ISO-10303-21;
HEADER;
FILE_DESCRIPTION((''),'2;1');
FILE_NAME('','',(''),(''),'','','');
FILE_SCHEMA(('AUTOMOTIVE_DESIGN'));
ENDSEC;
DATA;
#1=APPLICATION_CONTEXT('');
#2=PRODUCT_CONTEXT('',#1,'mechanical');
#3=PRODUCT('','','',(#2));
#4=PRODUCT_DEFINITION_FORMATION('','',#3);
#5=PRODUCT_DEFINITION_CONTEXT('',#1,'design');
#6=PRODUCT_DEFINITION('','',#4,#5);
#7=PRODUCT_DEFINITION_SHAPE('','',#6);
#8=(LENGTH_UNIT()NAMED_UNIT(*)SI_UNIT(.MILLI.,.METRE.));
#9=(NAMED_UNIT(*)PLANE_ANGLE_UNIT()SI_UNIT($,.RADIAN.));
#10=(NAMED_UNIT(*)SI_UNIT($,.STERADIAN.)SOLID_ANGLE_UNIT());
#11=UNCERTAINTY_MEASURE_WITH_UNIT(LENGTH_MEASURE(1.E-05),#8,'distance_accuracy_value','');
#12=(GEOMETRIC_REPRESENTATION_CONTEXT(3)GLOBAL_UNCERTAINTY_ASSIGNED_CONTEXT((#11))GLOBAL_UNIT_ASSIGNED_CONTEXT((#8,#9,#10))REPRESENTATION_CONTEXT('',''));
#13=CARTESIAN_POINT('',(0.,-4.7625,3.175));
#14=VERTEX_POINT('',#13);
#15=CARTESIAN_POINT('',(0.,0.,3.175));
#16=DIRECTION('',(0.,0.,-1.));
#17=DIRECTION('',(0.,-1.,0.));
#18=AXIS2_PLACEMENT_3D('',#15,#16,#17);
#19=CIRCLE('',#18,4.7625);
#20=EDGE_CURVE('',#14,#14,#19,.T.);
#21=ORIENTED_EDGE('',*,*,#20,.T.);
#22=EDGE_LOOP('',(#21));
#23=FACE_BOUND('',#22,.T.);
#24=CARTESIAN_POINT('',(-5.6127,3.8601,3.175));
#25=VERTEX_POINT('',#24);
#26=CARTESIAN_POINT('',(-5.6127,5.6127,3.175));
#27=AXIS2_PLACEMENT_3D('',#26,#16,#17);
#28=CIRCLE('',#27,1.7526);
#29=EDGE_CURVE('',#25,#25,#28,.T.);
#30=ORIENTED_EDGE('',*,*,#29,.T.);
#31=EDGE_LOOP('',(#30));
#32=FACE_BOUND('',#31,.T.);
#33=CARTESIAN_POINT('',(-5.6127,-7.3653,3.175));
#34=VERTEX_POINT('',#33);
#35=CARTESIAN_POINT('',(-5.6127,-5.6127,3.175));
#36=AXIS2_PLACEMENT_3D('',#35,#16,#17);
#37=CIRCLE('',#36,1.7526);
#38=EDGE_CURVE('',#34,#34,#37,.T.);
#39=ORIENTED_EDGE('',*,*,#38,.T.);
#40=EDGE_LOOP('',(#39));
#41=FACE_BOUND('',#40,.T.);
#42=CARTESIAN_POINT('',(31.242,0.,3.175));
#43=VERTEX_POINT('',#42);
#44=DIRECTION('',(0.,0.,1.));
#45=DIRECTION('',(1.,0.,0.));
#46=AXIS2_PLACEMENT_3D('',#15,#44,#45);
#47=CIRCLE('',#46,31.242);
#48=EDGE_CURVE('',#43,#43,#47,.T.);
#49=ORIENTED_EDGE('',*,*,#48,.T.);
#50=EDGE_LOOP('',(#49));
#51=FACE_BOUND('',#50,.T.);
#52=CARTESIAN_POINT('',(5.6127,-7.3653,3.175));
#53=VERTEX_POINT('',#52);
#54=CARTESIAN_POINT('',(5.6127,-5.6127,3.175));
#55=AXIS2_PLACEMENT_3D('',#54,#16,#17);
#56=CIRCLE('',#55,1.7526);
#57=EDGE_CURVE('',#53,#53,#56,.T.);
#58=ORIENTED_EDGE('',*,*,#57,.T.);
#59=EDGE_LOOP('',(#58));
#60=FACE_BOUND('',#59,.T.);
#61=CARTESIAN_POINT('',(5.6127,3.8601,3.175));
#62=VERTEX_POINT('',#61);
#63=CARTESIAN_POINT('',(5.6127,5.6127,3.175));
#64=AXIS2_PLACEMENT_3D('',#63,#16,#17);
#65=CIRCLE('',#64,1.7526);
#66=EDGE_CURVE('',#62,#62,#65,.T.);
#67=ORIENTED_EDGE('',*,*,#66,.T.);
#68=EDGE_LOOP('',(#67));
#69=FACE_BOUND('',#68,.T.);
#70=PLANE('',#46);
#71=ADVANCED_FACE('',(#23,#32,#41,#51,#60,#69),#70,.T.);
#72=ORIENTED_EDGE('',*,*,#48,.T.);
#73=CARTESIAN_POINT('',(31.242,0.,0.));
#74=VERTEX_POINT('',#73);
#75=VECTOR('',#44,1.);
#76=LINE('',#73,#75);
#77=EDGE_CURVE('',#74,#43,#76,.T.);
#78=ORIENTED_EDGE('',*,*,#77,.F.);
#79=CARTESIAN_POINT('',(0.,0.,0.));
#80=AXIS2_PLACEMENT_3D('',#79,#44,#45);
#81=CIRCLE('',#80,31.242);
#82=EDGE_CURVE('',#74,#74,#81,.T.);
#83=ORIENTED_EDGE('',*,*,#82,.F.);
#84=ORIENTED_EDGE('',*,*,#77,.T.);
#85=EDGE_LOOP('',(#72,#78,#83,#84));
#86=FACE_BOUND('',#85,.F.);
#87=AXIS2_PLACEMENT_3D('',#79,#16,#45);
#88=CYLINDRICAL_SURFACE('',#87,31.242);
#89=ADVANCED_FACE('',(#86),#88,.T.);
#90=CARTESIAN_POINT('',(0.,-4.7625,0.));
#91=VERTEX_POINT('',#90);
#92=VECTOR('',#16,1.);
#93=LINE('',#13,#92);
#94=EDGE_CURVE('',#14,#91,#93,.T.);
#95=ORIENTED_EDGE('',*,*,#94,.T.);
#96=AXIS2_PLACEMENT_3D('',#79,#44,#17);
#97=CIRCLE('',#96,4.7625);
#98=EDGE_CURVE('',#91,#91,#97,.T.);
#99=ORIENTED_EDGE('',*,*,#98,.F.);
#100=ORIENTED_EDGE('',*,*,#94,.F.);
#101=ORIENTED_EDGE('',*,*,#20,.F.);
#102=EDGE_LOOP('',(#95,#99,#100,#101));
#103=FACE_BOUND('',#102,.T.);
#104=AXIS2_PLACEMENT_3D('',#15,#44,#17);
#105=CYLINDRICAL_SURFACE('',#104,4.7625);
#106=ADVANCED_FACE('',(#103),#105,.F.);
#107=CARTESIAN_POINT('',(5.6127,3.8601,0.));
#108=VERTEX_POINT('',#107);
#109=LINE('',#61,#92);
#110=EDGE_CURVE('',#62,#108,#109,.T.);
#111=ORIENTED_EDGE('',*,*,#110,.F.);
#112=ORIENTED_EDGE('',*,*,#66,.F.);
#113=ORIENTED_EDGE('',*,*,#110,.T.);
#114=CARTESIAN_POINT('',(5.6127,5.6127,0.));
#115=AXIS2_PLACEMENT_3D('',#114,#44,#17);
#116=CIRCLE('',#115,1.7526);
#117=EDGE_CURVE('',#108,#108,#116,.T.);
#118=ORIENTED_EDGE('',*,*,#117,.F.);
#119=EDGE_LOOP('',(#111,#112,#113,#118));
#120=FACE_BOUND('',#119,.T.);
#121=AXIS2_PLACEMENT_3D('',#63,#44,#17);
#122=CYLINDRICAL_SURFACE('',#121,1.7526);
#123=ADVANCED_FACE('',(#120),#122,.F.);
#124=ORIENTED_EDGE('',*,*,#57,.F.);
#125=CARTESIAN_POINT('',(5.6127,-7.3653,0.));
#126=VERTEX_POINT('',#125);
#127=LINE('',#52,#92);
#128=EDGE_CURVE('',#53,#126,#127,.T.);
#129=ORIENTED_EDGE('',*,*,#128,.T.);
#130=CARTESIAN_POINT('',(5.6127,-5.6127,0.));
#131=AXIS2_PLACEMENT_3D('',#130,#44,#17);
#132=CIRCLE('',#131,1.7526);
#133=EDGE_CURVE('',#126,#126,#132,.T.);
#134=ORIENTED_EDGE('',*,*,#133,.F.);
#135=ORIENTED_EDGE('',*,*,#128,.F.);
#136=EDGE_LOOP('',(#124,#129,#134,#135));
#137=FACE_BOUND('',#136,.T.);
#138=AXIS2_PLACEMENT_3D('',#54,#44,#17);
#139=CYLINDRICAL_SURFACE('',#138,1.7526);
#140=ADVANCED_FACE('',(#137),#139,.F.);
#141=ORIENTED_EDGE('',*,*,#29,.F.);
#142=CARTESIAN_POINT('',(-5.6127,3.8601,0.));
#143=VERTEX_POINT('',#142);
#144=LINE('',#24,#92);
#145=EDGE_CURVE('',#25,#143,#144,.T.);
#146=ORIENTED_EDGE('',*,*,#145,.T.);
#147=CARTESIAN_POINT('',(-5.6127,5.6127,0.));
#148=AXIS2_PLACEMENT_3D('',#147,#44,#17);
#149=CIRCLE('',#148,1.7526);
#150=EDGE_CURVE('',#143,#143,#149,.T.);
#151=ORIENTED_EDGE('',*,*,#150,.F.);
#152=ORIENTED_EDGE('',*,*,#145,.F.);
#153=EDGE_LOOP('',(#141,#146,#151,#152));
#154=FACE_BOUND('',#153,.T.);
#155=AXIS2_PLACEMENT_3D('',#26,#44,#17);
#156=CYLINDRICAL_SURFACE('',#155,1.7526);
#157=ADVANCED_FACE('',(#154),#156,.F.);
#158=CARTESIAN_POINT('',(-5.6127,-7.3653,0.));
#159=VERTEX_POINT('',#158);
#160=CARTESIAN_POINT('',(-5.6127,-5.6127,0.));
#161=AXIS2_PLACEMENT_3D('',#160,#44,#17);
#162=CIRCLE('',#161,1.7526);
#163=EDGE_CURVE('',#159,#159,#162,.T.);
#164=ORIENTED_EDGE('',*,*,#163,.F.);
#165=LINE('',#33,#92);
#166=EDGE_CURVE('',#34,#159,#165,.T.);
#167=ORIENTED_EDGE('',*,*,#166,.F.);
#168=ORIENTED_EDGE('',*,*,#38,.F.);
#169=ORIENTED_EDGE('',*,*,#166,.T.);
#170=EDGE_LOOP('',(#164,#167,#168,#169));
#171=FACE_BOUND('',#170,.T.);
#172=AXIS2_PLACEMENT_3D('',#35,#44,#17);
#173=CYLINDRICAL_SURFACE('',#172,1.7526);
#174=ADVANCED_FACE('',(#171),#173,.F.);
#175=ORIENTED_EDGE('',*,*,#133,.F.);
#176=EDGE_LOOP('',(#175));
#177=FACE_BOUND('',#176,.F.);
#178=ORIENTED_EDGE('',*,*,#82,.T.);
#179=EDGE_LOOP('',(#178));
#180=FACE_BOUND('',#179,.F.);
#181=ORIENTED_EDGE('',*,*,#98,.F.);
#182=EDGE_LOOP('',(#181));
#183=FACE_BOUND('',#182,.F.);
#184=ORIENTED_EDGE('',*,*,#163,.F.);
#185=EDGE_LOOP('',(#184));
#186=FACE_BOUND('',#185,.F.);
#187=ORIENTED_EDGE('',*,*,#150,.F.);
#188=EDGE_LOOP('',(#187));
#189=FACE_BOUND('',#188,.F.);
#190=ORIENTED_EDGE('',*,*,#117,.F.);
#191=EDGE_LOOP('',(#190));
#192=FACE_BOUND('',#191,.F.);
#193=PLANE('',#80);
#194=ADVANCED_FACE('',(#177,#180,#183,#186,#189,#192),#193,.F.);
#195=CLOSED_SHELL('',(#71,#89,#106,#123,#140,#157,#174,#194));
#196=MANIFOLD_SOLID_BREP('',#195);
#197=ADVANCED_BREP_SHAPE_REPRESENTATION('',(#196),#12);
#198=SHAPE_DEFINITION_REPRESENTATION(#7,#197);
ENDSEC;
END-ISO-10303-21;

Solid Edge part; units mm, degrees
sketch "Sketch1" plane through (0, 0, 0) normal (0, 0, 1) x (1, 0, 0)
  circle A0 centre (0, 0) radius 31.242
  dimension "D1" = 62.484
extrude "Protrusion1" add sketch "Sketch1" along normal blind 3.175
hole "Hole_1" at (0, 0, 3.175) direction (0, 0, -1) diameter 9.525 end up to next
hole "Hole_2" at (5.6127, 5.6127, 3.175) direction (0, 0, -1) diameter 3.5052 end up to next
hole "Hole1" at (5.6127, -5.6127, 3.175) direction (0, 0, -1) diameter 3.5052 end up to next
hole "Hole2" at (-5.6127, -5.6127, 3.175) direction (0, 0, -1) diameter 3.5052 end up to next
hole "Hole3" at (-5.6127, 5.6127, 3.175) direction (0, 0, -1) diameter 3.5052 end up to next
properties part number "ARM-04" material "Polypropylene, general purpose"
